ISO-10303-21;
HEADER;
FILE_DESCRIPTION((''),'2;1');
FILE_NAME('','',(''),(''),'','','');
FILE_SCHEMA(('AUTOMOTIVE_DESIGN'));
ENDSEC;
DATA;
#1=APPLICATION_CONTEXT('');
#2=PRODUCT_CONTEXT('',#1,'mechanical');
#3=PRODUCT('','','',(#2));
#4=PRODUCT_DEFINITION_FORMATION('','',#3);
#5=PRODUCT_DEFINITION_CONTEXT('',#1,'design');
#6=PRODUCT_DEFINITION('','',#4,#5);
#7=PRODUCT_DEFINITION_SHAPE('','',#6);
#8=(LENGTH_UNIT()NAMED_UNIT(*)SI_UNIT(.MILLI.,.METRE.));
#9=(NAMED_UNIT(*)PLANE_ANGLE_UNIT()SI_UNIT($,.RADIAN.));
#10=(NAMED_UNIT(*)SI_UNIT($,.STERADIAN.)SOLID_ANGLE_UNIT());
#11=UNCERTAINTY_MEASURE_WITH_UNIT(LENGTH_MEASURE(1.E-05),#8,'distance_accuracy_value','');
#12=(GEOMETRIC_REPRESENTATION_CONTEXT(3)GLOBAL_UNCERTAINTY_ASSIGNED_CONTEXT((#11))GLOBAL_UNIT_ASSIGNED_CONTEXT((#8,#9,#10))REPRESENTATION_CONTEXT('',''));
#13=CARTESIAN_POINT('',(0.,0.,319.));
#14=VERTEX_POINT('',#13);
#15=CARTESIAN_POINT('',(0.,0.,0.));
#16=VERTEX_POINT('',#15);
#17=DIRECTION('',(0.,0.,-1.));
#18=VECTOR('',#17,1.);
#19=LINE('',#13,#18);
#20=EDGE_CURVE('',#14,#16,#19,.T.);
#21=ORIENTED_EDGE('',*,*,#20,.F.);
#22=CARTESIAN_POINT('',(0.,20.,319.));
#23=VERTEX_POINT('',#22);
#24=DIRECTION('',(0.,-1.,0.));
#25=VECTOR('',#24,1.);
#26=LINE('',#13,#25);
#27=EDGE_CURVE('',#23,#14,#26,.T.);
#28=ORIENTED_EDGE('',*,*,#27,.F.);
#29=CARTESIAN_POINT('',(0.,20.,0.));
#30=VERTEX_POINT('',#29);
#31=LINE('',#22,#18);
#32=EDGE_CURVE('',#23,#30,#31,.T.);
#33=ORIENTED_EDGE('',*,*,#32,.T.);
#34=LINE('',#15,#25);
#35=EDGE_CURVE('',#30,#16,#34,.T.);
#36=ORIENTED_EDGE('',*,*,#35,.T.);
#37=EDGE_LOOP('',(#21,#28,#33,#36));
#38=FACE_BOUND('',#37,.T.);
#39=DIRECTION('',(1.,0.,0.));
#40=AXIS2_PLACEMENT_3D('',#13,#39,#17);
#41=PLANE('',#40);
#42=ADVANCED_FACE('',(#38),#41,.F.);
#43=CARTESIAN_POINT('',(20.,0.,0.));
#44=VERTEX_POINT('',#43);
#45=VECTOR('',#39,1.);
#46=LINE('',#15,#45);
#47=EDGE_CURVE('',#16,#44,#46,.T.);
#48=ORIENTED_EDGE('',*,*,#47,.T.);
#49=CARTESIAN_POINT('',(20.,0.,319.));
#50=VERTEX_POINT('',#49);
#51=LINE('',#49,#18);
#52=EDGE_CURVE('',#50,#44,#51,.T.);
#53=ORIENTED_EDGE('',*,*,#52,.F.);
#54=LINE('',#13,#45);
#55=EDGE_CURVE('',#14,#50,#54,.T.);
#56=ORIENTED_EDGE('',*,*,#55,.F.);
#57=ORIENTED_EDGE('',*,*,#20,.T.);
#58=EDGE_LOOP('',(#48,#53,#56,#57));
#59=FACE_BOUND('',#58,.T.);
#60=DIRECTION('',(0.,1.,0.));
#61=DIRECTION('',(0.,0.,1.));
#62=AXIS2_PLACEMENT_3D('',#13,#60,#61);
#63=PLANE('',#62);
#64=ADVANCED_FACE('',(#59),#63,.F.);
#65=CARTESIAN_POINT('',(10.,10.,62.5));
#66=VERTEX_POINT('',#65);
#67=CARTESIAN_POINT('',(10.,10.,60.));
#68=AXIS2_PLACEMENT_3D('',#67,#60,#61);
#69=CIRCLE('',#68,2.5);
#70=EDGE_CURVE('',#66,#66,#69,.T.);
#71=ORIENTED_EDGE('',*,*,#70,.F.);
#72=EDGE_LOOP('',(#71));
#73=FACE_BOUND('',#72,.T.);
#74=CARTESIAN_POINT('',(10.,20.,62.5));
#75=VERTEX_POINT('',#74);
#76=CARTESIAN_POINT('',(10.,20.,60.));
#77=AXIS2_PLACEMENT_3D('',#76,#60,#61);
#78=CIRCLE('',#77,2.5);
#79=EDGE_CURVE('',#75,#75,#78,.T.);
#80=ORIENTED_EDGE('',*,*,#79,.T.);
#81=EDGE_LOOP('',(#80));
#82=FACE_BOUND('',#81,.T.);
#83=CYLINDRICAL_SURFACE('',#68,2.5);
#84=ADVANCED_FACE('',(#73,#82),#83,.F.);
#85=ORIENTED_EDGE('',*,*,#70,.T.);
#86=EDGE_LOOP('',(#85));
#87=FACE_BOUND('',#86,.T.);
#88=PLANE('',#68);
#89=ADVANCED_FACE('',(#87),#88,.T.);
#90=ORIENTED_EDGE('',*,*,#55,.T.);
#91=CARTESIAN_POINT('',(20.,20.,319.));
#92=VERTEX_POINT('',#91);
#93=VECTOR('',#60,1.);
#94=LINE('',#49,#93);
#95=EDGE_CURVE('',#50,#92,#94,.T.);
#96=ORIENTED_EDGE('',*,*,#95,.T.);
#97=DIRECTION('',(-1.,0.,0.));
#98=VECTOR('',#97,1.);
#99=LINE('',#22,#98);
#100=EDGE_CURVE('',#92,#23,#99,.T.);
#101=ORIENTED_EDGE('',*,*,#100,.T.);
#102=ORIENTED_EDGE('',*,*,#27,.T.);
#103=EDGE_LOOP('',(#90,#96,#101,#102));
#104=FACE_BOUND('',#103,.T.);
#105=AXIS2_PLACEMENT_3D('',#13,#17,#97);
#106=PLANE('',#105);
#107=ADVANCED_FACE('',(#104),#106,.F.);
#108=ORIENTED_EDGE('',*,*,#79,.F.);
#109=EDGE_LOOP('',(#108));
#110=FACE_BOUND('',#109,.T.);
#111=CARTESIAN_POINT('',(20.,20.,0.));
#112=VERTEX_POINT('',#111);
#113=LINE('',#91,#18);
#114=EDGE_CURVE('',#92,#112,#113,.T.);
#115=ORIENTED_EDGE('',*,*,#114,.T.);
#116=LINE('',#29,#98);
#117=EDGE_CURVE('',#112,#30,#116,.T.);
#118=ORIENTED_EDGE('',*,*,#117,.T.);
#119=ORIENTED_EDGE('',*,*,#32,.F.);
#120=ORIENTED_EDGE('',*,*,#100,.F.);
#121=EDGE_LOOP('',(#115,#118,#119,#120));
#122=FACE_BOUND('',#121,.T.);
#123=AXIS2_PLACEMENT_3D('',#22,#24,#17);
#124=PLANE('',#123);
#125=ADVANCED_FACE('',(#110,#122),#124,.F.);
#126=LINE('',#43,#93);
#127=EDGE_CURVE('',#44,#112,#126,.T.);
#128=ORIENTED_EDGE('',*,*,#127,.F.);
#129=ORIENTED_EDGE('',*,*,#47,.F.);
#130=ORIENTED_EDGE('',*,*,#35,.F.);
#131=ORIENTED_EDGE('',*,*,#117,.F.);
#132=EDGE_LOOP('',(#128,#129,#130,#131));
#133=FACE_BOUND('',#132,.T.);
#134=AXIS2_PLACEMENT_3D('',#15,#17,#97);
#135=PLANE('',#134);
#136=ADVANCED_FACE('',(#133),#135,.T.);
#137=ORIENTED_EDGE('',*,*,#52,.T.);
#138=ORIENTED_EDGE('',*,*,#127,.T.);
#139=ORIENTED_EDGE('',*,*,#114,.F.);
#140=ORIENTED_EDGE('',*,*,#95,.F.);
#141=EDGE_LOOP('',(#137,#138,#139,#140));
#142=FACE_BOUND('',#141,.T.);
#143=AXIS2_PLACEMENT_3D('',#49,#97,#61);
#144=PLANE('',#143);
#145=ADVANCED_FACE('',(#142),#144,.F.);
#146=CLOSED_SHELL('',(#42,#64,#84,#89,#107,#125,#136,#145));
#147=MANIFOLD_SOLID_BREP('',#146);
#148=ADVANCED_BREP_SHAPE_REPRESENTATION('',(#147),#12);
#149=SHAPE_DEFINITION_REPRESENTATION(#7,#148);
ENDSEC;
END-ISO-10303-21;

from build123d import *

# Parameters (mm, degrees)
SKETCH_1_W          = 20
SKETCH_1_H          = 20
EXTRUDE_1_DEPTH     = 319
SKETCH_2_R          = 2.5
CUT_EXTRUDE_1_DEPTH = 10


with BuildPart() as part:
    # 草图1 → 凸台-拉伸1 (new body)
    with BuildSketch(Plane.XY):
        with Locations((10, 10)):
            Rectangle(SKETCH_1_W, SKETCH_1_H)
    extrude(amount=EXTRUDE_1_DEPTH)

    # 草图2 → 切除-拉伸1 (cut)
    with BuildSketch(Plane(origin=(0, 20, 0), x_dir=(1, 0, 0), z_dir=(0, 1, 0))):
        with Locations(Location((10, -60, 0), (0, 0, 270))):
            Circle(SKETCH_2_R)
    extrude(amount=-CUT_EXTRUDE_1_DEPTH, mode=Mode.SUBTRACT)


solid = part.part
